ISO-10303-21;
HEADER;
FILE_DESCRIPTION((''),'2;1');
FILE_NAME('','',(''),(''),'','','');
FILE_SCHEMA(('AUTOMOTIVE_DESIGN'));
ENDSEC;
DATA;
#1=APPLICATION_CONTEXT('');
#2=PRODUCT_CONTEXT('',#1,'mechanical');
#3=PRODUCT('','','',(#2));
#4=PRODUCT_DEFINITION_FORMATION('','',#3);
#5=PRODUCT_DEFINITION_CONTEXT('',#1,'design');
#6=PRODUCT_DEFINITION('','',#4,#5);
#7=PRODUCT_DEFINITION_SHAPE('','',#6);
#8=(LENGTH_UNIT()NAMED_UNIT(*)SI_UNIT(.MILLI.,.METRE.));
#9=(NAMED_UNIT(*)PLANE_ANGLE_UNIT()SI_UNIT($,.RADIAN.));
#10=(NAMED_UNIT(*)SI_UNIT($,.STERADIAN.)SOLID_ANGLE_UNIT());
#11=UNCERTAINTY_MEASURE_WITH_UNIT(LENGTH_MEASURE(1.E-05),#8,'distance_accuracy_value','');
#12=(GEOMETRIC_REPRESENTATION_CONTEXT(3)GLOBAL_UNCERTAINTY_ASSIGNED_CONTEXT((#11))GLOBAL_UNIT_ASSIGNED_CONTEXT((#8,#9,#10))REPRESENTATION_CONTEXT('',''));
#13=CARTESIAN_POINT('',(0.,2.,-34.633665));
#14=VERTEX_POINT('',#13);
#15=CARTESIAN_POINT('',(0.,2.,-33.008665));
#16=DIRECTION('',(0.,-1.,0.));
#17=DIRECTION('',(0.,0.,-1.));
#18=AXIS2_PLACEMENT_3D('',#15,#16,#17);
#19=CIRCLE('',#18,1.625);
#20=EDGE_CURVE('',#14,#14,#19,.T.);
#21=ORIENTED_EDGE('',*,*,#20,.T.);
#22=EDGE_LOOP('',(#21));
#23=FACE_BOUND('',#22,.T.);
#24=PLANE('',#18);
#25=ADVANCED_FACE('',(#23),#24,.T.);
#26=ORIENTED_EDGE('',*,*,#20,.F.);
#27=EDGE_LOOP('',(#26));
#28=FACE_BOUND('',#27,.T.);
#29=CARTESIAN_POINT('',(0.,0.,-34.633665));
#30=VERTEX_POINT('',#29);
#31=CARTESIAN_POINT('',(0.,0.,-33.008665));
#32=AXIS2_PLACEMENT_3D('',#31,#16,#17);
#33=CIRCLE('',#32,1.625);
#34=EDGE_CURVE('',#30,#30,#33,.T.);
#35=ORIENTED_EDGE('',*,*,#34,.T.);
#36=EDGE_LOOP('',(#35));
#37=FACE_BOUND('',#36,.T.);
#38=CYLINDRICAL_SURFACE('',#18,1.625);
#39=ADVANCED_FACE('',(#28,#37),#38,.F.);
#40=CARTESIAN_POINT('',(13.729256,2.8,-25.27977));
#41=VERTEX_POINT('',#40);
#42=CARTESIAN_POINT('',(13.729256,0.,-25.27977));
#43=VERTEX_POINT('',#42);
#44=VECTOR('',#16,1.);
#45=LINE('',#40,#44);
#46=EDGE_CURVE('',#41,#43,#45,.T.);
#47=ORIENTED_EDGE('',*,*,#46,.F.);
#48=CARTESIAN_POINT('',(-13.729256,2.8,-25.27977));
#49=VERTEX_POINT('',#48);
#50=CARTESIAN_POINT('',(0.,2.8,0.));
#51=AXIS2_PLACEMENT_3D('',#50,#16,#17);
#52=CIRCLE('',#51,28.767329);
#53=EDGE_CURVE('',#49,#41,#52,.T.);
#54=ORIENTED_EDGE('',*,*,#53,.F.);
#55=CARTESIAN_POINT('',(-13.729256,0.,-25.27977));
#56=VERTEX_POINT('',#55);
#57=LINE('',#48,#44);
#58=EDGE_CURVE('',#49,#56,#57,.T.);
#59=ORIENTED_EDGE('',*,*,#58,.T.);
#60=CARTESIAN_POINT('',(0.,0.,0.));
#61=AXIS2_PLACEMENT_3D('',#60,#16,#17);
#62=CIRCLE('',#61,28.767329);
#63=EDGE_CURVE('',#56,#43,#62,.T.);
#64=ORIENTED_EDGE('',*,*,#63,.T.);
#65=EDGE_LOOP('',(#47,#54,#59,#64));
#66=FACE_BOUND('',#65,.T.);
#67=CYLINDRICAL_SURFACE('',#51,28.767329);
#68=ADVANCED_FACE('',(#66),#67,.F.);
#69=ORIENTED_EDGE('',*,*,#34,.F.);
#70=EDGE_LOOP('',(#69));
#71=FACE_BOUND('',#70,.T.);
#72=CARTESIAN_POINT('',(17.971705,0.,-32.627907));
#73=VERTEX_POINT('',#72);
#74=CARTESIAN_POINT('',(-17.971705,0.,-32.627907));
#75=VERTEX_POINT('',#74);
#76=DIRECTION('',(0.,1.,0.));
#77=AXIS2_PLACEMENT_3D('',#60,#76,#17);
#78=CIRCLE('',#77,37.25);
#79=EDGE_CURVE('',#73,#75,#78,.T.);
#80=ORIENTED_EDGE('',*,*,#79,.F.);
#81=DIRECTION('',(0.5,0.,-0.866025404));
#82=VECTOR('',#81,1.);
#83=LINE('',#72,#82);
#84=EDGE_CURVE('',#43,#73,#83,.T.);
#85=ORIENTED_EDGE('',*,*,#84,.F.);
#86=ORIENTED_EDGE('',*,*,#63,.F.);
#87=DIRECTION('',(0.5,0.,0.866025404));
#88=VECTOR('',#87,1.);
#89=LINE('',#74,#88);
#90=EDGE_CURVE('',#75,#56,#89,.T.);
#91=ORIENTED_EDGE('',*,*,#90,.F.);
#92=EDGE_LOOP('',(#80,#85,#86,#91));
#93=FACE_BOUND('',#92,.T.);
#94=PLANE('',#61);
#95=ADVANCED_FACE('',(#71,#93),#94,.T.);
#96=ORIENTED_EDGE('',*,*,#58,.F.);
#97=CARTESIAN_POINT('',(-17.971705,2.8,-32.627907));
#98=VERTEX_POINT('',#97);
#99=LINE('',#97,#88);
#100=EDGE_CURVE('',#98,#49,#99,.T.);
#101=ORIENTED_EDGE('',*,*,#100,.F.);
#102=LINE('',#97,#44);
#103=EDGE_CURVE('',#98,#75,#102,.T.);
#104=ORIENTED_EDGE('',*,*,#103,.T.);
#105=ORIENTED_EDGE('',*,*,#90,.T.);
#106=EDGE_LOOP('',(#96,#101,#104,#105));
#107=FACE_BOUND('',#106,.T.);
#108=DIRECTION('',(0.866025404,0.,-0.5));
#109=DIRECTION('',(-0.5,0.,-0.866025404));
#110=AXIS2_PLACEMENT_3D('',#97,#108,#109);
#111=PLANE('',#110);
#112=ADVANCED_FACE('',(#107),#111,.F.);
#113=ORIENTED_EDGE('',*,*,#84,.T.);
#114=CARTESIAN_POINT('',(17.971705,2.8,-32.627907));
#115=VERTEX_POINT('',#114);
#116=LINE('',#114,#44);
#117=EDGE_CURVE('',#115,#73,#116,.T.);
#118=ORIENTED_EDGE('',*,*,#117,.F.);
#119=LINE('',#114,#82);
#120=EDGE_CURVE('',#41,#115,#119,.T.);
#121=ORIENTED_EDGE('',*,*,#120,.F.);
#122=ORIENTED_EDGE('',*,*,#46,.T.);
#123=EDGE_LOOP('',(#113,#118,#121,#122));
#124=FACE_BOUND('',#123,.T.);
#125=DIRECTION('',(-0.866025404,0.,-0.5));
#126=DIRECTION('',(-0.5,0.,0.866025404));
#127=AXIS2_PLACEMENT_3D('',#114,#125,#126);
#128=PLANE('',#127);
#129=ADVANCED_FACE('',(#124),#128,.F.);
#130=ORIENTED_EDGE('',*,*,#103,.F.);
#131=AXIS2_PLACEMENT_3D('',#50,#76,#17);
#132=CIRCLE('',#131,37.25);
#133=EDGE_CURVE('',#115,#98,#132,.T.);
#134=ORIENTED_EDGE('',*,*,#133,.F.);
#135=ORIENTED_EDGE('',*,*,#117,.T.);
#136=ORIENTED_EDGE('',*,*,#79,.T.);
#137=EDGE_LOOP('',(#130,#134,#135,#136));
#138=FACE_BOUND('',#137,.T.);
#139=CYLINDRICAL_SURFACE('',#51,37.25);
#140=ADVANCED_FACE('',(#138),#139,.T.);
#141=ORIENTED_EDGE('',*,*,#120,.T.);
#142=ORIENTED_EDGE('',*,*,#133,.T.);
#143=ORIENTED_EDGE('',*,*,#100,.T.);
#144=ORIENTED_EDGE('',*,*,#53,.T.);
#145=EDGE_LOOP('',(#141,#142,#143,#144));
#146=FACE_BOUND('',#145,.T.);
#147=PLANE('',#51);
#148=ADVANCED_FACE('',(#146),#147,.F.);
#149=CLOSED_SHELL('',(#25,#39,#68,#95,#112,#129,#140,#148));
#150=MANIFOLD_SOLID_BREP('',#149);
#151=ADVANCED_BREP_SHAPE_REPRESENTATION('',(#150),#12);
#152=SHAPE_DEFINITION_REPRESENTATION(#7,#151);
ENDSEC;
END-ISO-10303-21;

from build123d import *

# Parameters (mm, degrees)
BOSS_EXTRUDE1_DEPTH = 2.8
SKETCH2_R           = 1.625
CUT_EXTRUDE1_DEPTH  = 2


with BuildPart() as part:
    # Sketch1 → Boss-Extrude1 (new body)
    with BuildSketch(Plane(origin=(0, 0, 0), x_dir=(1, 0, 0), z_dir=(0, 1, 0))):
        with BuildLine():
            Line((-17.971705397, 32.627906846), (-13.729256498, 25.279769804))
            ThreePointArc((-13.729256498, 25.279769804), (0, 28.767329478), (13.729256498, 25.279769804))
            Line((13.729256498, 25.279769804), (17.971705397, 32.627906846))
            ThreePointArc((17.971705397, 32.627906846), (0, 37.25), (-17.971705397, 32.627906846))
        make_face()
    extrude(amount=BOSS_EXTRUDE1_DEPTH)

    # Sketch2 → Cut-Extrude1 (cut)
    with BuildSketch(Plane.XZ):
        with Locations(Location((0, -33.008664739, 0), (0, 0, 270))):
            Circle(SKETCH2_R)
    extrude(amount=-CUT_EXTRUDE1_DEPTH, mode=Mode.SUBTRACT)


solid = part.part
